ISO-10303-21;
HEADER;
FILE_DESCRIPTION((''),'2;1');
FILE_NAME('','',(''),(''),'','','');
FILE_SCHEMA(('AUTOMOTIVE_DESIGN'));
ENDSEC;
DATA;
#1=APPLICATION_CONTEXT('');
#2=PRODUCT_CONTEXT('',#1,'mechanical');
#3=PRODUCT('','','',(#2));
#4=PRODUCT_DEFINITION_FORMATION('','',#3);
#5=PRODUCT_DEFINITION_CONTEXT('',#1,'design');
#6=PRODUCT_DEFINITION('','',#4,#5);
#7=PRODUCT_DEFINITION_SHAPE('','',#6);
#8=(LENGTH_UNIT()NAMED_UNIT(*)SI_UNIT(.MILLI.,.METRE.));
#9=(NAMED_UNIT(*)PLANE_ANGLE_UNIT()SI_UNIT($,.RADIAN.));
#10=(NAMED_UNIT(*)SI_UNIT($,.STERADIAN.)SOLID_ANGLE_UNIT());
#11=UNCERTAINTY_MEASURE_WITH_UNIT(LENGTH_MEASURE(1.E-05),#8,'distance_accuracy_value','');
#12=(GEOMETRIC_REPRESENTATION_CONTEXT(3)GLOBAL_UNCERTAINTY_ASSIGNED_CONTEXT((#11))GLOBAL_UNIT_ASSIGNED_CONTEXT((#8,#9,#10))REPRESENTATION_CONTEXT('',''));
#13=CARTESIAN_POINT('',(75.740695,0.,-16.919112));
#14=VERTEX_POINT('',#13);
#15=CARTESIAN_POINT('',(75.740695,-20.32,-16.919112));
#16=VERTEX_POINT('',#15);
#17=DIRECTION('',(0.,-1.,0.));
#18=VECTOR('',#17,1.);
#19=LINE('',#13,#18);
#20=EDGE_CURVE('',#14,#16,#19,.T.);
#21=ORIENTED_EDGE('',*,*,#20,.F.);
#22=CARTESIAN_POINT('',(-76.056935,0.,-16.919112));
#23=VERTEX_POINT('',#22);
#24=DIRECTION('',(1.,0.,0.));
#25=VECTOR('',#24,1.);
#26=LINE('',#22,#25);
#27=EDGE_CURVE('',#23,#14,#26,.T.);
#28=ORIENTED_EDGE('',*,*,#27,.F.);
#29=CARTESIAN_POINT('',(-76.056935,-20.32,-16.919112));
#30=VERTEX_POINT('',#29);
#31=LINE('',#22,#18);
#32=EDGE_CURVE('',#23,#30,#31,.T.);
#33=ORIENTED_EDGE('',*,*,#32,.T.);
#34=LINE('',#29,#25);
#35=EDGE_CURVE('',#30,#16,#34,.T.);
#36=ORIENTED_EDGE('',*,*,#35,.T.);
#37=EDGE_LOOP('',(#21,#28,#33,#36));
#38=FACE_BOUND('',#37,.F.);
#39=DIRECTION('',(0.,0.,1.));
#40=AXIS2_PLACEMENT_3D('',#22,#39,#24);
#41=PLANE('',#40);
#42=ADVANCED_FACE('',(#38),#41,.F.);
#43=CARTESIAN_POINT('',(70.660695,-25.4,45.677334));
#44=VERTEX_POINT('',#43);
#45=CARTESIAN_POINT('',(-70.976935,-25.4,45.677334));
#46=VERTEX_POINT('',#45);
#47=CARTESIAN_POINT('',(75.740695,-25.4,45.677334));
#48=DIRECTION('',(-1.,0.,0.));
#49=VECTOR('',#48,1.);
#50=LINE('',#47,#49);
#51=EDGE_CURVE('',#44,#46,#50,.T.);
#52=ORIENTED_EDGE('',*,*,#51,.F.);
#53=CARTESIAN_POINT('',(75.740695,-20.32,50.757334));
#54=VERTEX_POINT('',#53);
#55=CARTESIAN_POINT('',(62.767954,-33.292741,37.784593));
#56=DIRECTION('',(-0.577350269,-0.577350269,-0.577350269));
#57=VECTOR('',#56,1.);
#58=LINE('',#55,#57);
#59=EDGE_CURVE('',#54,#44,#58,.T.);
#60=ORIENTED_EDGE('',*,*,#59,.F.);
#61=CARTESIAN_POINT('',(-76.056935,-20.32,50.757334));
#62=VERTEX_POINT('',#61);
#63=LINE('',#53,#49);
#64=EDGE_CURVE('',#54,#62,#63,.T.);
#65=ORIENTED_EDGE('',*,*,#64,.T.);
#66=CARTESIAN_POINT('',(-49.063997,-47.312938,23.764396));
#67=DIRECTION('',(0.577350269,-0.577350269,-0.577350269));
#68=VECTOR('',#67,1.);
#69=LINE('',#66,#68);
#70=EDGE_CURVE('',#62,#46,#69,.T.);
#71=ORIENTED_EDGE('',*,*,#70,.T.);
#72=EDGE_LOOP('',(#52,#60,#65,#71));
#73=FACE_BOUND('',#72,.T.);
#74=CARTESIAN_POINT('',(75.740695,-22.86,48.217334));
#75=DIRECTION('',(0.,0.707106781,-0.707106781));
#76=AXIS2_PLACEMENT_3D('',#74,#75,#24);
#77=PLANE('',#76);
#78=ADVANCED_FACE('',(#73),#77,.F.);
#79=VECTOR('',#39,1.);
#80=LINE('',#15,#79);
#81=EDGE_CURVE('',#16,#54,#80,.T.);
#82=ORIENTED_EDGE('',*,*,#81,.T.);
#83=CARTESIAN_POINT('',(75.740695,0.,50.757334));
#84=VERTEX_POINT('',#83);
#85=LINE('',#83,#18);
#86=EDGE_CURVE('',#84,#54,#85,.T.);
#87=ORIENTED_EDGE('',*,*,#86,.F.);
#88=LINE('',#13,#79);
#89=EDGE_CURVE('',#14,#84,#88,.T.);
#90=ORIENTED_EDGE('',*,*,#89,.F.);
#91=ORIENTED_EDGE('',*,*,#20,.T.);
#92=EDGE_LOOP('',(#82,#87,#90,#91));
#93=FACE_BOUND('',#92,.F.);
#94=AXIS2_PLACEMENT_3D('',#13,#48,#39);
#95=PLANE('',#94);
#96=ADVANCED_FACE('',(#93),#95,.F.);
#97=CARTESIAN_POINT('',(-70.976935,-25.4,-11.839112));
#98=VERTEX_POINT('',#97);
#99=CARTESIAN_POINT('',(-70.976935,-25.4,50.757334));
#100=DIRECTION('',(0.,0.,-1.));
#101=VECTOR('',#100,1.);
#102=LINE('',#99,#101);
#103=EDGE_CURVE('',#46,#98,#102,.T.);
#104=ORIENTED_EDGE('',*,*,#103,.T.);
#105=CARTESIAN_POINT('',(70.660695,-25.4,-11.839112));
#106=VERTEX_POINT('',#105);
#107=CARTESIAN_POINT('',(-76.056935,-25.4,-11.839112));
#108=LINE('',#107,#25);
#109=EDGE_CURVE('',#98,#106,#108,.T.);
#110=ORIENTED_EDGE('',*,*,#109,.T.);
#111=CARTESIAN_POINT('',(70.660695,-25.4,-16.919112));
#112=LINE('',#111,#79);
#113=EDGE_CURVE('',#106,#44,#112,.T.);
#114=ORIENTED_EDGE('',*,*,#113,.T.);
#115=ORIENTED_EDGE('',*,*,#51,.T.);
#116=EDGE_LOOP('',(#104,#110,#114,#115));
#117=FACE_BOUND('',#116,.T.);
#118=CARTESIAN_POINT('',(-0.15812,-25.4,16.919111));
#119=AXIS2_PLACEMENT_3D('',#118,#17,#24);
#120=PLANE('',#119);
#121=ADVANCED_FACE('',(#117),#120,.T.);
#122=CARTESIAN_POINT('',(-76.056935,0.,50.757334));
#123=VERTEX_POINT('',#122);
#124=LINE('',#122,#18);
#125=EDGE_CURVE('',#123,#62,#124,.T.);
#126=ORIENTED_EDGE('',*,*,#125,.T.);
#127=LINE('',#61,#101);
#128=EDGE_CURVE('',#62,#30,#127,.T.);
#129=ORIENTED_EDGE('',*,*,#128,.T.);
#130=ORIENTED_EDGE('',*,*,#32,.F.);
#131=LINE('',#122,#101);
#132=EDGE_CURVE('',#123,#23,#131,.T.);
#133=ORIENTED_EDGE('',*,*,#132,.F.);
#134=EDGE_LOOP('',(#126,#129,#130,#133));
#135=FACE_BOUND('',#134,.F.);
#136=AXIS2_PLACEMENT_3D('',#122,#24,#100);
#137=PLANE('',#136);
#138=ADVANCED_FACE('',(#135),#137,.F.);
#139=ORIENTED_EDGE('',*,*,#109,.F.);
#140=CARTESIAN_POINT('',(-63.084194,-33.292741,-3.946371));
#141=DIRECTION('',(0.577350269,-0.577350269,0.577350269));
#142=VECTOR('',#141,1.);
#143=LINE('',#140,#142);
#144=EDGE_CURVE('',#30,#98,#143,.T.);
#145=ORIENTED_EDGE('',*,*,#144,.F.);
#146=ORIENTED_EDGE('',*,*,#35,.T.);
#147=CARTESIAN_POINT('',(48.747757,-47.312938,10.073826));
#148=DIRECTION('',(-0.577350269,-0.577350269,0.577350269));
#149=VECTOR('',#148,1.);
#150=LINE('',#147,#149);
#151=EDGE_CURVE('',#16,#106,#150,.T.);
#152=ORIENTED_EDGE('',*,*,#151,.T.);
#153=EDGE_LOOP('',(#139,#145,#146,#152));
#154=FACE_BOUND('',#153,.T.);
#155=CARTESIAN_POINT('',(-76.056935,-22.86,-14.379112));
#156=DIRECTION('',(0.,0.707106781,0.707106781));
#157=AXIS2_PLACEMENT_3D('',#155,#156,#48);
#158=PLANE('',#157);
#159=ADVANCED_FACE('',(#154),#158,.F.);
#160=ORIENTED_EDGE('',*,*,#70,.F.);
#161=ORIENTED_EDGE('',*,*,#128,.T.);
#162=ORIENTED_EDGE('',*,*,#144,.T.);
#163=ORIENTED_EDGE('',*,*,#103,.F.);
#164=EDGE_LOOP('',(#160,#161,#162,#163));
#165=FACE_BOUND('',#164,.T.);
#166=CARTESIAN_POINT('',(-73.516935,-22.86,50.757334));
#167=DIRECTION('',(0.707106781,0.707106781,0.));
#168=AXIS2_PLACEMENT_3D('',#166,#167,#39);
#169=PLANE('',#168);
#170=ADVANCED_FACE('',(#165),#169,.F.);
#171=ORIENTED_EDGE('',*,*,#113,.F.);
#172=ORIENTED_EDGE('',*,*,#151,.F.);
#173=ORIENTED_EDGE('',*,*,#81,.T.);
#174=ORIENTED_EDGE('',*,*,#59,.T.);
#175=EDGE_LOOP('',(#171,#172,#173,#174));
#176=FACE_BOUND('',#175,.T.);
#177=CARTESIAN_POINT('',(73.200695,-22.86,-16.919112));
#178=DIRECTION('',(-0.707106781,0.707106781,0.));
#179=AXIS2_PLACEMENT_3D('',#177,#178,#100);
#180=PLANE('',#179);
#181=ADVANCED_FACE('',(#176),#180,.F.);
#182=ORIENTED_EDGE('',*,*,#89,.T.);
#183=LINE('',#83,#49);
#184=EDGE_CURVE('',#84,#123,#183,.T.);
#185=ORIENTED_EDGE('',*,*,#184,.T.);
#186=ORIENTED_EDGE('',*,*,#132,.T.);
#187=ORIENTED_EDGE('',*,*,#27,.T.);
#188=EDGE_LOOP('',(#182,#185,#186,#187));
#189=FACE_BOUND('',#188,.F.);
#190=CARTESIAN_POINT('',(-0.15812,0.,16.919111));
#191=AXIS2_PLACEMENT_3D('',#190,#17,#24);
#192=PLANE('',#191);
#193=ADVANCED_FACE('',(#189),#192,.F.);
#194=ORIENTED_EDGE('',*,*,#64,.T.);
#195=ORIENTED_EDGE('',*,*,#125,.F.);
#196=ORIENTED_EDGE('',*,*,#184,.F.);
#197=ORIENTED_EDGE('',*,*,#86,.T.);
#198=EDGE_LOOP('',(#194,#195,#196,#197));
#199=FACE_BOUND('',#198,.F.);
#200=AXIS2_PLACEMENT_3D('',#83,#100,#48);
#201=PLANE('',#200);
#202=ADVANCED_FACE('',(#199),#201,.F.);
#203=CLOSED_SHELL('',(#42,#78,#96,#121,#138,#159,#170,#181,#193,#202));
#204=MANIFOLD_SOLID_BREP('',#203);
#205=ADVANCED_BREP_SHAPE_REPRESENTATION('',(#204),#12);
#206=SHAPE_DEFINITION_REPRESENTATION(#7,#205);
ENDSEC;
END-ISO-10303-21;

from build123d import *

# Parameters (mm, degrees)
F1_DEPTH = 25.4
F2_SIZE  = 5.08


with BuildPart() as f1:
    # F0 (on Front) → F1 (new body)
    with BuildSketch(Plane.XZ):
        Polygon((-76.056935, 50.757334), (-76.056935, 0), (-76.056935, -16.919112), (75.740695, -16.919112), (75.740695, 0), (75.740695, 50.757334), align=None)
    extrude(amount=F1_DEPTH)

    # F2
    f2_edges = [f1.edges().sort_by_distance(p)[0] for p in [
        (-76.056935, -25.4, 16.919111),
        (-0.15812, -25.4, -16.919112),
        (75.740695, -25.4, 16.919111),
        (-0.15812, -25.4, 50.757334),
    ]]
    chamfer(f2_edges, length=F2_SIZE)


solid = f1.part
